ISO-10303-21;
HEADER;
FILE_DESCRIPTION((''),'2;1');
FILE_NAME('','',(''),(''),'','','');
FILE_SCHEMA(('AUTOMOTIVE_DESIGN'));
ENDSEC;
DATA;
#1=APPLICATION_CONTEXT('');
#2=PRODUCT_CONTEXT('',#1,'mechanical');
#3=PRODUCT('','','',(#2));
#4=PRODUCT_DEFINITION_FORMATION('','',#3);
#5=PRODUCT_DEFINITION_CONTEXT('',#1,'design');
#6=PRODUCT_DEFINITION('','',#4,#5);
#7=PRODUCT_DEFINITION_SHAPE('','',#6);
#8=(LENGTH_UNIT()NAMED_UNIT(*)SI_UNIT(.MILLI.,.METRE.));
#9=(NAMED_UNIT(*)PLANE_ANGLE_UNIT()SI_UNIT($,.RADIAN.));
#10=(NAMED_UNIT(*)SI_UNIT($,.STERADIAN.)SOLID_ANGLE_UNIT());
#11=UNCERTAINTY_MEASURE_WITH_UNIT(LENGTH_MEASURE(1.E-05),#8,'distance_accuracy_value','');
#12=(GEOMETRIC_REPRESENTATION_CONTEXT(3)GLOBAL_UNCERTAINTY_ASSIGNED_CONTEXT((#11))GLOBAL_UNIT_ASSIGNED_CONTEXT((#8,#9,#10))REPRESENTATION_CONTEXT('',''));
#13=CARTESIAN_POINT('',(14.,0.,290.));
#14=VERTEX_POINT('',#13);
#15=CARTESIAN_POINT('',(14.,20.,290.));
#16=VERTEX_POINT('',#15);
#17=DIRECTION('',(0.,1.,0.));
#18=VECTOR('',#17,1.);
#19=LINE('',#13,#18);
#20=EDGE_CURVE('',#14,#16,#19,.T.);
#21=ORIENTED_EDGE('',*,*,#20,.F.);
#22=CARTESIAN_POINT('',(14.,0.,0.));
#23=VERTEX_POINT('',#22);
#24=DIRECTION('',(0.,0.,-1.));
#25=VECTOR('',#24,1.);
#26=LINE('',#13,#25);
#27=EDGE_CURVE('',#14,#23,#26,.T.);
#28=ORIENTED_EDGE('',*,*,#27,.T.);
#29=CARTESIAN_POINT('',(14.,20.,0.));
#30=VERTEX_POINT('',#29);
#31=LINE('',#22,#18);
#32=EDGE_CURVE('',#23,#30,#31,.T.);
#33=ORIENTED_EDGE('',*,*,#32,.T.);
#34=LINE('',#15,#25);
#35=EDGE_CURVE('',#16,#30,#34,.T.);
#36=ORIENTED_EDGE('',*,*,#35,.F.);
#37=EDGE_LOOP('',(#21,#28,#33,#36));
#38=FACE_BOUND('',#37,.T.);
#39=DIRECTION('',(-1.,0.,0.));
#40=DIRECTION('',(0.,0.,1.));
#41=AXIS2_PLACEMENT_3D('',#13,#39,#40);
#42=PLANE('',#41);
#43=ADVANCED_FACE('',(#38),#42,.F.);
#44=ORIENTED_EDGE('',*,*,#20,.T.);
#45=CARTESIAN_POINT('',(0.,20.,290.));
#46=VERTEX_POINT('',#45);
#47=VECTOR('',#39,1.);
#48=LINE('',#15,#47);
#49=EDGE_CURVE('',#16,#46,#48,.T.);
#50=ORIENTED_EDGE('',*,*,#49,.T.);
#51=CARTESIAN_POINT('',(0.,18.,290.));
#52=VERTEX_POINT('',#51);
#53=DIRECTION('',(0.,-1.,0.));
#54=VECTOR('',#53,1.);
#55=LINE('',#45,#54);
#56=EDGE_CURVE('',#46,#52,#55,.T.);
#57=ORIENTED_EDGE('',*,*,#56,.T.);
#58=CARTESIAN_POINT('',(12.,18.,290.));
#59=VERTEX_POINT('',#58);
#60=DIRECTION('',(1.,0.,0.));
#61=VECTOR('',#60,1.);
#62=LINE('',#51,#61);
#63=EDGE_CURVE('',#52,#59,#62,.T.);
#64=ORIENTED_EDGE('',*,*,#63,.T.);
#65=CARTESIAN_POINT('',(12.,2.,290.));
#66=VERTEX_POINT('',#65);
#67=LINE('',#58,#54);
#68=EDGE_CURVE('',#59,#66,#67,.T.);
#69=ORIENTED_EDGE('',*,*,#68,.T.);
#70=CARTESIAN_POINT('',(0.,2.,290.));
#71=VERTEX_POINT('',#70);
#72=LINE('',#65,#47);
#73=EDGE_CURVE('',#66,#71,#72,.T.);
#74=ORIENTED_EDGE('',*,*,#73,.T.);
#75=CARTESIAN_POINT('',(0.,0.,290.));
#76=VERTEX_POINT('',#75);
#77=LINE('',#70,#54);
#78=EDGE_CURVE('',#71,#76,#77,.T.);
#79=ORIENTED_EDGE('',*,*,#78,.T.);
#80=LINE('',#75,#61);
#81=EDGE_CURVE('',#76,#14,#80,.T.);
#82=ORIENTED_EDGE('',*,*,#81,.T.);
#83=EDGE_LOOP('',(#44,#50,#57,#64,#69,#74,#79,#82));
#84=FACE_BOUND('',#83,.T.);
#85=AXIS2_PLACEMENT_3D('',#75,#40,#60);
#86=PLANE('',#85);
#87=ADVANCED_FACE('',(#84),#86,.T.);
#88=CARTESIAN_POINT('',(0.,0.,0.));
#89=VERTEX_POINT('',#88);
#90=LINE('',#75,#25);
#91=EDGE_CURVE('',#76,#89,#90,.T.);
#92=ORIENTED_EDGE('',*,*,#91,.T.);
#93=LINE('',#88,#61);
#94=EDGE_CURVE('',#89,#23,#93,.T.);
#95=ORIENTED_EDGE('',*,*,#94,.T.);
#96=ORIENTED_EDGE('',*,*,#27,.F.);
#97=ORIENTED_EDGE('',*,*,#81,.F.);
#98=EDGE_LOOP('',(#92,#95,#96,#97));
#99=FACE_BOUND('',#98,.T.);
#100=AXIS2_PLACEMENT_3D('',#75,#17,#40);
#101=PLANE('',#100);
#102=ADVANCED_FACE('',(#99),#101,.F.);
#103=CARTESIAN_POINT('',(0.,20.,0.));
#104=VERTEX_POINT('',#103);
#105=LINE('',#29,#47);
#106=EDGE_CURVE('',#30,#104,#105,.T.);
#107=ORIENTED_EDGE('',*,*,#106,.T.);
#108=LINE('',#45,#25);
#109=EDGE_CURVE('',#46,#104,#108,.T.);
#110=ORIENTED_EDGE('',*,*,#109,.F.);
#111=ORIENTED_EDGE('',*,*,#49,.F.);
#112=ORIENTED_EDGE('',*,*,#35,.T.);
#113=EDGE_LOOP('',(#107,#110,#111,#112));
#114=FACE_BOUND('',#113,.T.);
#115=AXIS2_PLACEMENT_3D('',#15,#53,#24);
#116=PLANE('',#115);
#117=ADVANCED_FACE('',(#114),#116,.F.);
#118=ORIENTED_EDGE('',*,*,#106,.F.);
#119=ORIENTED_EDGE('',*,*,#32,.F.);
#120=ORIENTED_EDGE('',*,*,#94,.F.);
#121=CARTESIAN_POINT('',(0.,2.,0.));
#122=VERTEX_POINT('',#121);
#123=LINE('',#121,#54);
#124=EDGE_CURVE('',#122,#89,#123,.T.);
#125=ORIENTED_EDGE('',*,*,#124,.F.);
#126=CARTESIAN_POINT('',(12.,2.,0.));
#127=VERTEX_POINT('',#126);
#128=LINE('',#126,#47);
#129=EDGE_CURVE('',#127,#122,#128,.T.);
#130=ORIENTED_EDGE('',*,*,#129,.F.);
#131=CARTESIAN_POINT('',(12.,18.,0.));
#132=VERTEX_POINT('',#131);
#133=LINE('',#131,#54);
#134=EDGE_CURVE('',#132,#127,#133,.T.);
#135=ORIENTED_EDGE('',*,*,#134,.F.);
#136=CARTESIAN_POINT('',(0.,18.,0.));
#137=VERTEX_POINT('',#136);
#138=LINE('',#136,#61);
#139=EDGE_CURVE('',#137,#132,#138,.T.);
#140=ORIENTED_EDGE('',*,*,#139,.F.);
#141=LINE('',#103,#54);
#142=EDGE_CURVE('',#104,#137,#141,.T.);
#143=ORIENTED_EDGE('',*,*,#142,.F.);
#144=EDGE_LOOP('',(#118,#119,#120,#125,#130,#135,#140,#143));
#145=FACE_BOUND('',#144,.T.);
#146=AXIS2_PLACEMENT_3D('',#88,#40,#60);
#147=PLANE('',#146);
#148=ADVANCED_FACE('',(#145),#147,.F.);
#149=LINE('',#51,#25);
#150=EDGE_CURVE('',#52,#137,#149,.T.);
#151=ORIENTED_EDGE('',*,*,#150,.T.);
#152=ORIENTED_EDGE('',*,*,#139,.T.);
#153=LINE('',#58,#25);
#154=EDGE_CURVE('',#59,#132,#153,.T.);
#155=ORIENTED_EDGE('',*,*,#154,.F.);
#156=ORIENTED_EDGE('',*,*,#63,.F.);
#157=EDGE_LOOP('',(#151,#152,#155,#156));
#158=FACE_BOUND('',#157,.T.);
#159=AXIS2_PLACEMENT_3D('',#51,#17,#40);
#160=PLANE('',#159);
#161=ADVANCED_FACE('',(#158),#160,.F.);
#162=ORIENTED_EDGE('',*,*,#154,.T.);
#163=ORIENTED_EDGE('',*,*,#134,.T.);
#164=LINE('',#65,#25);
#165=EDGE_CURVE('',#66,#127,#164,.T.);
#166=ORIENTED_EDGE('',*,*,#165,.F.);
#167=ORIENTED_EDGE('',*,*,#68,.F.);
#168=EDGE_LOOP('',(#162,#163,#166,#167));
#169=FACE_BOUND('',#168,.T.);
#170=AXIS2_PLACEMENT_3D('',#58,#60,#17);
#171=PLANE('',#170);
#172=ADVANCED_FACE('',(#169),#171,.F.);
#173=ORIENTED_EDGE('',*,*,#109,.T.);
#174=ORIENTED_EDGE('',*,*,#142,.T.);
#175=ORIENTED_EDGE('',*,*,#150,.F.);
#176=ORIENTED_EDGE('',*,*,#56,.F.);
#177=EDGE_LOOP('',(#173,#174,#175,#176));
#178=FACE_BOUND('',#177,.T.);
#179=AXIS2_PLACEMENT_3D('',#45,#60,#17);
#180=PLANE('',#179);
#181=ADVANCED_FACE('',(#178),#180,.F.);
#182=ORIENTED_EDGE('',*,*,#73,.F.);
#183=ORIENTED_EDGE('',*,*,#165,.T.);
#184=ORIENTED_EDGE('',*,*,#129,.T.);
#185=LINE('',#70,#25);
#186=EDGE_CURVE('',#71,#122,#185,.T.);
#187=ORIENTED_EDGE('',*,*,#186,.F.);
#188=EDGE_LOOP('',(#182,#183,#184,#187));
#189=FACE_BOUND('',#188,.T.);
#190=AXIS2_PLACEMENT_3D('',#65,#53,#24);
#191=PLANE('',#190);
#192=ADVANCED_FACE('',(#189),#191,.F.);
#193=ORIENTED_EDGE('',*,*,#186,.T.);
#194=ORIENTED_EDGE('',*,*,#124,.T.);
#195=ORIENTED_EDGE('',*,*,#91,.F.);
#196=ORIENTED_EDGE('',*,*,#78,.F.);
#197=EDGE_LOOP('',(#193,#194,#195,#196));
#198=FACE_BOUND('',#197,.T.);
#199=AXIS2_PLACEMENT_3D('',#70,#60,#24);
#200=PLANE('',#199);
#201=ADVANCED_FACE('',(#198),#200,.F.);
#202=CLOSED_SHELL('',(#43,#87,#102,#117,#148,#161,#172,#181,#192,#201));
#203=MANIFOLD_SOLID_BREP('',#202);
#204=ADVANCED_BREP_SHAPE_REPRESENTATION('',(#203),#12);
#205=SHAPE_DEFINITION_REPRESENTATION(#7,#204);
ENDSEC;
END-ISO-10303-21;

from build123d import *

# Parameters (mm, degrees)
BOSS_EXTRUDE1_DEPTH = 290


with BuildPart() as part:
    # Sketch1 → Boss-Extrude1 (new body)
    with BuildSketch(Plane.XY):
        Polygon((0, 0), (14, 0), (14, 20), (0, 20), (0, 18), (12, 18), (12, 2), (0, 2), align=None)
    extrude(amount=BOSS_EXTRUDE1_DEPTH)


solid = part.part
